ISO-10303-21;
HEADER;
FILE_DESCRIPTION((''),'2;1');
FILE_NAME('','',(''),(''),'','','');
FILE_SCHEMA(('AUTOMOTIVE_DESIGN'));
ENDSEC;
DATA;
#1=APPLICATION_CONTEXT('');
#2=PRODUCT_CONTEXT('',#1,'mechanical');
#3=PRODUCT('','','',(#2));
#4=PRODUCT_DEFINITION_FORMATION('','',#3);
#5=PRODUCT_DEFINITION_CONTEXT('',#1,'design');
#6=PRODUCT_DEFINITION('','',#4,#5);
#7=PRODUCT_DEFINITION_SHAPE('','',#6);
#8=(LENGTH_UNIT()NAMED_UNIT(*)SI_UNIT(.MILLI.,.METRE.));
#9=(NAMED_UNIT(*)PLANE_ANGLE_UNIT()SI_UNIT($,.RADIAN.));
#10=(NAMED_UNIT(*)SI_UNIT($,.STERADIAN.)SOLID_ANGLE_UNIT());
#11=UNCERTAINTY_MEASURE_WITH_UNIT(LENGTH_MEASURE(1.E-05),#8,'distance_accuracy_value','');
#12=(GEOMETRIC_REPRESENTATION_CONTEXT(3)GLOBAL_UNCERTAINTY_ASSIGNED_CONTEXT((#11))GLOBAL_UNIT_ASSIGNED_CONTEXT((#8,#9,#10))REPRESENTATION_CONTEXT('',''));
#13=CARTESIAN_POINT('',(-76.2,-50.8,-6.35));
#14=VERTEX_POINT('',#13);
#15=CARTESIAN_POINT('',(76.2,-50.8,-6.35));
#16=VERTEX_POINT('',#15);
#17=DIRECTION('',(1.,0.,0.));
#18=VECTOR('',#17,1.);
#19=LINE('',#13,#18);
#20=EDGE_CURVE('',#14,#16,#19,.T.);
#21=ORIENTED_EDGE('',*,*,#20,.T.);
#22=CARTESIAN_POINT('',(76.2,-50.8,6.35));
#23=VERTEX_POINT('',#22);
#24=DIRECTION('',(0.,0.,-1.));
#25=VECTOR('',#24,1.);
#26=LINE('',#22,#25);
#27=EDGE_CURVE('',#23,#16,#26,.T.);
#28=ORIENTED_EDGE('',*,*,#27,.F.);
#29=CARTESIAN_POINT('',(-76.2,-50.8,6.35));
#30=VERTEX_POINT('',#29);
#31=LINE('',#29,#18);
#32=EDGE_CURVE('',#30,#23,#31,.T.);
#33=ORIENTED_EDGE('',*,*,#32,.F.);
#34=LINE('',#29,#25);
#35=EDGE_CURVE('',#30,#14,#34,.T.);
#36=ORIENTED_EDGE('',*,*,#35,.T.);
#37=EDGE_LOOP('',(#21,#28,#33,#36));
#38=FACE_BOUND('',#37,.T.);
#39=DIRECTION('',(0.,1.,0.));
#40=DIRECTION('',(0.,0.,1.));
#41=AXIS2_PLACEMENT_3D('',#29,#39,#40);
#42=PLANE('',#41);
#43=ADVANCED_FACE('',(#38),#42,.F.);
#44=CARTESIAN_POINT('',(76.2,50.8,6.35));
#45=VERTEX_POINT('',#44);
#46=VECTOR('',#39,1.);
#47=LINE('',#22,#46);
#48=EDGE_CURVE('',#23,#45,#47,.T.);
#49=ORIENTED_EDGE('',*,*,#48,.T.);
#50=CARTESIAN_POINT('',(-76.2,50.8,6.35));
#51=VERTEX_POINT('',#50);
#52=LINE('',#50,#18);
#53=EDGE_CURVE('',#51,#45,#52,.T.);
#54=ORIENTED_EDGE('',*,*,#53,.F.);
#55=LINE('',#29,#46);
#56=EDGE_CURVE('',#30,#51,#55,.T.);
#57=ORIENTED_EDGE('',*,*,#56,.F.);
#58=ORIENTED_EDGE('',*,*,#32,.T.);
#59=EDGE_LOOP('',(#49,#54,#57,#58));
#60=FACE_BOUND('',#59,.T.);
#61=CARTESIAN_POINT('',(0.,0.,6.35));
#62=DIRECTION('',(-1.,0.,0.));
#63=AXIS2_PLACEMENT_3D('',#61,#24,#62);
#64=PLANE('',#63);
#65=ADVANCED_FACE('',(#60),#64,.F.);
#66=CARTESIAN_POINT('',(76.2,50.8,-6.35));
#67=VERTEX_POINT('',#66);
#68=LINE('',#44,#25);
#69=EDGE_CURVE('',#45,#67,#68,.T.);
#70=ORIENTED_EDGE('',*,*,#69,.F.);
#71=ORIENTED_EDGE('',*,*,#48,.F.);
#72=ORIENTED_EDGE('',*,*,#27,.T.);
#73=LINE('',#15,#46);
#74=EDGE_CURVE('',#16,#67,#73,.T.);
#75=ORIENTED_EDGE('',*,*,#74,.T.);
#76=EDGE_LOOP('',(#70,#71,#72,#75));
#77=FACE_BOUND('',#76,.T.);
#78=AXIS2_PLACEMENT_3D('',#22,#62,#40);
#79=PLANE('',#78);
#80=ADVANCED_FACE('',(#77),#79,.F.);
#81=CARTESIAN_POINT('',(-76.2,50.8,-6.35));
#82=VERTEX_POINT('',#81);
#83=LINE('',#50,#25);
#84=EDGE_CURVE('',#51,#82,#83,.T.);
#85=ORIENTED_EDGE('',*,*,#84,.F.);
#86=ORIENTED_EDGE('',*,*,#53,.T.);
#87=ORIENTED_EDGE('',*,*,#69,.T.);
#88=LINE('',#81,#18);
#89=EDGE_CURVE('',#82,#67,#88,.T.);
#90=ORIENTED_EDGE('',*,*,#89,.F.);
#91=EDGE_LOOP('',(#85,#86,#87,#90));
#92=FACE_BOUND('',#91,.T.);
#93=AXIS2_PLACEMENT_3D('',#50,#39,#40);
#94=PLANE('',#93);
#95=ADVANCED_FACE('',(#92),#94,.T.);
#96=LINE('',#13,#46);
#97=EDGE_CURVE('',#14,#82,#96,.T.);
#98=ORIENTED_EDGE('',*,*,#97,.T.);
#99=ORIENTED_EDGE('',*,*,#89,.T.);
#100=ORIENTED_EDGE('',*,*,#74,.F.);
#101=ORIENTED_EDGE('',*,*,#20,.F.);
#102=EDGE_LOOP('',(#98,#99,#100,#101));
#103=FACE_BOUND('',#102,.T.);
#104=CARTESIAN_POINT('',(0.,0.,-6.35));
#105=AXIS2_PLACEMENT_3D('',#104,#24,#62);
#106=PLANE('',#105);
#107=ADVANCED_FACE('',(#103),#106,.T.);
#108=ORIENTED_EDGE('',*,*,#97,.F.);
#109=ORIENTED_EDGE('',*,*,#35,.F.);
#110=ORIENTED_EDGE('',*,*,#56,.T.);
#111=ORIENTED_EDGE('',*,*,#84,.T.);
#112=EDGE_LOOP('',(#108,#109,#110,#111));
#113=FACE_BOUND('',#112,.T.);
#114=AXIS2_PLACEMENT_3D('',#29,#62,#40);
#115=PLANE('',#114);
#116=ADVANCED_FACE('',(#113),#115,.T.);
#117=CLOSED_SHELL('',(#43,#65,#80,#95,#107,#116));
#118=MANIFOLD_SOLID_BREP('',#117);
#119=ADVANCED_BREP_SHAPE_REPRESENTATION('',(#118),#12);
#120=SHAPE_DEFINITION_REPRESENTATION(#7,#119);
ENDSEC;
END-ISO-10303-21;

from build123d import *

# Parameters (mm, degrees)
SKETCH1_W           = 152.4
SKETCH1_H           = 101.6
BOSS_EXTRUDE1_DEPTH = 6.35


with BuildPart() as part:
    # Sketch1 → Boss-Extrude1 (new, symmetric)
    with BuildSketch(Plane.XY):
        Rectangle(SKETCH1_W, SKETCH1_H)
    extrude(amount=BOSS_EXTRUDE1_DEPTH, both=True)


solid = part.part
